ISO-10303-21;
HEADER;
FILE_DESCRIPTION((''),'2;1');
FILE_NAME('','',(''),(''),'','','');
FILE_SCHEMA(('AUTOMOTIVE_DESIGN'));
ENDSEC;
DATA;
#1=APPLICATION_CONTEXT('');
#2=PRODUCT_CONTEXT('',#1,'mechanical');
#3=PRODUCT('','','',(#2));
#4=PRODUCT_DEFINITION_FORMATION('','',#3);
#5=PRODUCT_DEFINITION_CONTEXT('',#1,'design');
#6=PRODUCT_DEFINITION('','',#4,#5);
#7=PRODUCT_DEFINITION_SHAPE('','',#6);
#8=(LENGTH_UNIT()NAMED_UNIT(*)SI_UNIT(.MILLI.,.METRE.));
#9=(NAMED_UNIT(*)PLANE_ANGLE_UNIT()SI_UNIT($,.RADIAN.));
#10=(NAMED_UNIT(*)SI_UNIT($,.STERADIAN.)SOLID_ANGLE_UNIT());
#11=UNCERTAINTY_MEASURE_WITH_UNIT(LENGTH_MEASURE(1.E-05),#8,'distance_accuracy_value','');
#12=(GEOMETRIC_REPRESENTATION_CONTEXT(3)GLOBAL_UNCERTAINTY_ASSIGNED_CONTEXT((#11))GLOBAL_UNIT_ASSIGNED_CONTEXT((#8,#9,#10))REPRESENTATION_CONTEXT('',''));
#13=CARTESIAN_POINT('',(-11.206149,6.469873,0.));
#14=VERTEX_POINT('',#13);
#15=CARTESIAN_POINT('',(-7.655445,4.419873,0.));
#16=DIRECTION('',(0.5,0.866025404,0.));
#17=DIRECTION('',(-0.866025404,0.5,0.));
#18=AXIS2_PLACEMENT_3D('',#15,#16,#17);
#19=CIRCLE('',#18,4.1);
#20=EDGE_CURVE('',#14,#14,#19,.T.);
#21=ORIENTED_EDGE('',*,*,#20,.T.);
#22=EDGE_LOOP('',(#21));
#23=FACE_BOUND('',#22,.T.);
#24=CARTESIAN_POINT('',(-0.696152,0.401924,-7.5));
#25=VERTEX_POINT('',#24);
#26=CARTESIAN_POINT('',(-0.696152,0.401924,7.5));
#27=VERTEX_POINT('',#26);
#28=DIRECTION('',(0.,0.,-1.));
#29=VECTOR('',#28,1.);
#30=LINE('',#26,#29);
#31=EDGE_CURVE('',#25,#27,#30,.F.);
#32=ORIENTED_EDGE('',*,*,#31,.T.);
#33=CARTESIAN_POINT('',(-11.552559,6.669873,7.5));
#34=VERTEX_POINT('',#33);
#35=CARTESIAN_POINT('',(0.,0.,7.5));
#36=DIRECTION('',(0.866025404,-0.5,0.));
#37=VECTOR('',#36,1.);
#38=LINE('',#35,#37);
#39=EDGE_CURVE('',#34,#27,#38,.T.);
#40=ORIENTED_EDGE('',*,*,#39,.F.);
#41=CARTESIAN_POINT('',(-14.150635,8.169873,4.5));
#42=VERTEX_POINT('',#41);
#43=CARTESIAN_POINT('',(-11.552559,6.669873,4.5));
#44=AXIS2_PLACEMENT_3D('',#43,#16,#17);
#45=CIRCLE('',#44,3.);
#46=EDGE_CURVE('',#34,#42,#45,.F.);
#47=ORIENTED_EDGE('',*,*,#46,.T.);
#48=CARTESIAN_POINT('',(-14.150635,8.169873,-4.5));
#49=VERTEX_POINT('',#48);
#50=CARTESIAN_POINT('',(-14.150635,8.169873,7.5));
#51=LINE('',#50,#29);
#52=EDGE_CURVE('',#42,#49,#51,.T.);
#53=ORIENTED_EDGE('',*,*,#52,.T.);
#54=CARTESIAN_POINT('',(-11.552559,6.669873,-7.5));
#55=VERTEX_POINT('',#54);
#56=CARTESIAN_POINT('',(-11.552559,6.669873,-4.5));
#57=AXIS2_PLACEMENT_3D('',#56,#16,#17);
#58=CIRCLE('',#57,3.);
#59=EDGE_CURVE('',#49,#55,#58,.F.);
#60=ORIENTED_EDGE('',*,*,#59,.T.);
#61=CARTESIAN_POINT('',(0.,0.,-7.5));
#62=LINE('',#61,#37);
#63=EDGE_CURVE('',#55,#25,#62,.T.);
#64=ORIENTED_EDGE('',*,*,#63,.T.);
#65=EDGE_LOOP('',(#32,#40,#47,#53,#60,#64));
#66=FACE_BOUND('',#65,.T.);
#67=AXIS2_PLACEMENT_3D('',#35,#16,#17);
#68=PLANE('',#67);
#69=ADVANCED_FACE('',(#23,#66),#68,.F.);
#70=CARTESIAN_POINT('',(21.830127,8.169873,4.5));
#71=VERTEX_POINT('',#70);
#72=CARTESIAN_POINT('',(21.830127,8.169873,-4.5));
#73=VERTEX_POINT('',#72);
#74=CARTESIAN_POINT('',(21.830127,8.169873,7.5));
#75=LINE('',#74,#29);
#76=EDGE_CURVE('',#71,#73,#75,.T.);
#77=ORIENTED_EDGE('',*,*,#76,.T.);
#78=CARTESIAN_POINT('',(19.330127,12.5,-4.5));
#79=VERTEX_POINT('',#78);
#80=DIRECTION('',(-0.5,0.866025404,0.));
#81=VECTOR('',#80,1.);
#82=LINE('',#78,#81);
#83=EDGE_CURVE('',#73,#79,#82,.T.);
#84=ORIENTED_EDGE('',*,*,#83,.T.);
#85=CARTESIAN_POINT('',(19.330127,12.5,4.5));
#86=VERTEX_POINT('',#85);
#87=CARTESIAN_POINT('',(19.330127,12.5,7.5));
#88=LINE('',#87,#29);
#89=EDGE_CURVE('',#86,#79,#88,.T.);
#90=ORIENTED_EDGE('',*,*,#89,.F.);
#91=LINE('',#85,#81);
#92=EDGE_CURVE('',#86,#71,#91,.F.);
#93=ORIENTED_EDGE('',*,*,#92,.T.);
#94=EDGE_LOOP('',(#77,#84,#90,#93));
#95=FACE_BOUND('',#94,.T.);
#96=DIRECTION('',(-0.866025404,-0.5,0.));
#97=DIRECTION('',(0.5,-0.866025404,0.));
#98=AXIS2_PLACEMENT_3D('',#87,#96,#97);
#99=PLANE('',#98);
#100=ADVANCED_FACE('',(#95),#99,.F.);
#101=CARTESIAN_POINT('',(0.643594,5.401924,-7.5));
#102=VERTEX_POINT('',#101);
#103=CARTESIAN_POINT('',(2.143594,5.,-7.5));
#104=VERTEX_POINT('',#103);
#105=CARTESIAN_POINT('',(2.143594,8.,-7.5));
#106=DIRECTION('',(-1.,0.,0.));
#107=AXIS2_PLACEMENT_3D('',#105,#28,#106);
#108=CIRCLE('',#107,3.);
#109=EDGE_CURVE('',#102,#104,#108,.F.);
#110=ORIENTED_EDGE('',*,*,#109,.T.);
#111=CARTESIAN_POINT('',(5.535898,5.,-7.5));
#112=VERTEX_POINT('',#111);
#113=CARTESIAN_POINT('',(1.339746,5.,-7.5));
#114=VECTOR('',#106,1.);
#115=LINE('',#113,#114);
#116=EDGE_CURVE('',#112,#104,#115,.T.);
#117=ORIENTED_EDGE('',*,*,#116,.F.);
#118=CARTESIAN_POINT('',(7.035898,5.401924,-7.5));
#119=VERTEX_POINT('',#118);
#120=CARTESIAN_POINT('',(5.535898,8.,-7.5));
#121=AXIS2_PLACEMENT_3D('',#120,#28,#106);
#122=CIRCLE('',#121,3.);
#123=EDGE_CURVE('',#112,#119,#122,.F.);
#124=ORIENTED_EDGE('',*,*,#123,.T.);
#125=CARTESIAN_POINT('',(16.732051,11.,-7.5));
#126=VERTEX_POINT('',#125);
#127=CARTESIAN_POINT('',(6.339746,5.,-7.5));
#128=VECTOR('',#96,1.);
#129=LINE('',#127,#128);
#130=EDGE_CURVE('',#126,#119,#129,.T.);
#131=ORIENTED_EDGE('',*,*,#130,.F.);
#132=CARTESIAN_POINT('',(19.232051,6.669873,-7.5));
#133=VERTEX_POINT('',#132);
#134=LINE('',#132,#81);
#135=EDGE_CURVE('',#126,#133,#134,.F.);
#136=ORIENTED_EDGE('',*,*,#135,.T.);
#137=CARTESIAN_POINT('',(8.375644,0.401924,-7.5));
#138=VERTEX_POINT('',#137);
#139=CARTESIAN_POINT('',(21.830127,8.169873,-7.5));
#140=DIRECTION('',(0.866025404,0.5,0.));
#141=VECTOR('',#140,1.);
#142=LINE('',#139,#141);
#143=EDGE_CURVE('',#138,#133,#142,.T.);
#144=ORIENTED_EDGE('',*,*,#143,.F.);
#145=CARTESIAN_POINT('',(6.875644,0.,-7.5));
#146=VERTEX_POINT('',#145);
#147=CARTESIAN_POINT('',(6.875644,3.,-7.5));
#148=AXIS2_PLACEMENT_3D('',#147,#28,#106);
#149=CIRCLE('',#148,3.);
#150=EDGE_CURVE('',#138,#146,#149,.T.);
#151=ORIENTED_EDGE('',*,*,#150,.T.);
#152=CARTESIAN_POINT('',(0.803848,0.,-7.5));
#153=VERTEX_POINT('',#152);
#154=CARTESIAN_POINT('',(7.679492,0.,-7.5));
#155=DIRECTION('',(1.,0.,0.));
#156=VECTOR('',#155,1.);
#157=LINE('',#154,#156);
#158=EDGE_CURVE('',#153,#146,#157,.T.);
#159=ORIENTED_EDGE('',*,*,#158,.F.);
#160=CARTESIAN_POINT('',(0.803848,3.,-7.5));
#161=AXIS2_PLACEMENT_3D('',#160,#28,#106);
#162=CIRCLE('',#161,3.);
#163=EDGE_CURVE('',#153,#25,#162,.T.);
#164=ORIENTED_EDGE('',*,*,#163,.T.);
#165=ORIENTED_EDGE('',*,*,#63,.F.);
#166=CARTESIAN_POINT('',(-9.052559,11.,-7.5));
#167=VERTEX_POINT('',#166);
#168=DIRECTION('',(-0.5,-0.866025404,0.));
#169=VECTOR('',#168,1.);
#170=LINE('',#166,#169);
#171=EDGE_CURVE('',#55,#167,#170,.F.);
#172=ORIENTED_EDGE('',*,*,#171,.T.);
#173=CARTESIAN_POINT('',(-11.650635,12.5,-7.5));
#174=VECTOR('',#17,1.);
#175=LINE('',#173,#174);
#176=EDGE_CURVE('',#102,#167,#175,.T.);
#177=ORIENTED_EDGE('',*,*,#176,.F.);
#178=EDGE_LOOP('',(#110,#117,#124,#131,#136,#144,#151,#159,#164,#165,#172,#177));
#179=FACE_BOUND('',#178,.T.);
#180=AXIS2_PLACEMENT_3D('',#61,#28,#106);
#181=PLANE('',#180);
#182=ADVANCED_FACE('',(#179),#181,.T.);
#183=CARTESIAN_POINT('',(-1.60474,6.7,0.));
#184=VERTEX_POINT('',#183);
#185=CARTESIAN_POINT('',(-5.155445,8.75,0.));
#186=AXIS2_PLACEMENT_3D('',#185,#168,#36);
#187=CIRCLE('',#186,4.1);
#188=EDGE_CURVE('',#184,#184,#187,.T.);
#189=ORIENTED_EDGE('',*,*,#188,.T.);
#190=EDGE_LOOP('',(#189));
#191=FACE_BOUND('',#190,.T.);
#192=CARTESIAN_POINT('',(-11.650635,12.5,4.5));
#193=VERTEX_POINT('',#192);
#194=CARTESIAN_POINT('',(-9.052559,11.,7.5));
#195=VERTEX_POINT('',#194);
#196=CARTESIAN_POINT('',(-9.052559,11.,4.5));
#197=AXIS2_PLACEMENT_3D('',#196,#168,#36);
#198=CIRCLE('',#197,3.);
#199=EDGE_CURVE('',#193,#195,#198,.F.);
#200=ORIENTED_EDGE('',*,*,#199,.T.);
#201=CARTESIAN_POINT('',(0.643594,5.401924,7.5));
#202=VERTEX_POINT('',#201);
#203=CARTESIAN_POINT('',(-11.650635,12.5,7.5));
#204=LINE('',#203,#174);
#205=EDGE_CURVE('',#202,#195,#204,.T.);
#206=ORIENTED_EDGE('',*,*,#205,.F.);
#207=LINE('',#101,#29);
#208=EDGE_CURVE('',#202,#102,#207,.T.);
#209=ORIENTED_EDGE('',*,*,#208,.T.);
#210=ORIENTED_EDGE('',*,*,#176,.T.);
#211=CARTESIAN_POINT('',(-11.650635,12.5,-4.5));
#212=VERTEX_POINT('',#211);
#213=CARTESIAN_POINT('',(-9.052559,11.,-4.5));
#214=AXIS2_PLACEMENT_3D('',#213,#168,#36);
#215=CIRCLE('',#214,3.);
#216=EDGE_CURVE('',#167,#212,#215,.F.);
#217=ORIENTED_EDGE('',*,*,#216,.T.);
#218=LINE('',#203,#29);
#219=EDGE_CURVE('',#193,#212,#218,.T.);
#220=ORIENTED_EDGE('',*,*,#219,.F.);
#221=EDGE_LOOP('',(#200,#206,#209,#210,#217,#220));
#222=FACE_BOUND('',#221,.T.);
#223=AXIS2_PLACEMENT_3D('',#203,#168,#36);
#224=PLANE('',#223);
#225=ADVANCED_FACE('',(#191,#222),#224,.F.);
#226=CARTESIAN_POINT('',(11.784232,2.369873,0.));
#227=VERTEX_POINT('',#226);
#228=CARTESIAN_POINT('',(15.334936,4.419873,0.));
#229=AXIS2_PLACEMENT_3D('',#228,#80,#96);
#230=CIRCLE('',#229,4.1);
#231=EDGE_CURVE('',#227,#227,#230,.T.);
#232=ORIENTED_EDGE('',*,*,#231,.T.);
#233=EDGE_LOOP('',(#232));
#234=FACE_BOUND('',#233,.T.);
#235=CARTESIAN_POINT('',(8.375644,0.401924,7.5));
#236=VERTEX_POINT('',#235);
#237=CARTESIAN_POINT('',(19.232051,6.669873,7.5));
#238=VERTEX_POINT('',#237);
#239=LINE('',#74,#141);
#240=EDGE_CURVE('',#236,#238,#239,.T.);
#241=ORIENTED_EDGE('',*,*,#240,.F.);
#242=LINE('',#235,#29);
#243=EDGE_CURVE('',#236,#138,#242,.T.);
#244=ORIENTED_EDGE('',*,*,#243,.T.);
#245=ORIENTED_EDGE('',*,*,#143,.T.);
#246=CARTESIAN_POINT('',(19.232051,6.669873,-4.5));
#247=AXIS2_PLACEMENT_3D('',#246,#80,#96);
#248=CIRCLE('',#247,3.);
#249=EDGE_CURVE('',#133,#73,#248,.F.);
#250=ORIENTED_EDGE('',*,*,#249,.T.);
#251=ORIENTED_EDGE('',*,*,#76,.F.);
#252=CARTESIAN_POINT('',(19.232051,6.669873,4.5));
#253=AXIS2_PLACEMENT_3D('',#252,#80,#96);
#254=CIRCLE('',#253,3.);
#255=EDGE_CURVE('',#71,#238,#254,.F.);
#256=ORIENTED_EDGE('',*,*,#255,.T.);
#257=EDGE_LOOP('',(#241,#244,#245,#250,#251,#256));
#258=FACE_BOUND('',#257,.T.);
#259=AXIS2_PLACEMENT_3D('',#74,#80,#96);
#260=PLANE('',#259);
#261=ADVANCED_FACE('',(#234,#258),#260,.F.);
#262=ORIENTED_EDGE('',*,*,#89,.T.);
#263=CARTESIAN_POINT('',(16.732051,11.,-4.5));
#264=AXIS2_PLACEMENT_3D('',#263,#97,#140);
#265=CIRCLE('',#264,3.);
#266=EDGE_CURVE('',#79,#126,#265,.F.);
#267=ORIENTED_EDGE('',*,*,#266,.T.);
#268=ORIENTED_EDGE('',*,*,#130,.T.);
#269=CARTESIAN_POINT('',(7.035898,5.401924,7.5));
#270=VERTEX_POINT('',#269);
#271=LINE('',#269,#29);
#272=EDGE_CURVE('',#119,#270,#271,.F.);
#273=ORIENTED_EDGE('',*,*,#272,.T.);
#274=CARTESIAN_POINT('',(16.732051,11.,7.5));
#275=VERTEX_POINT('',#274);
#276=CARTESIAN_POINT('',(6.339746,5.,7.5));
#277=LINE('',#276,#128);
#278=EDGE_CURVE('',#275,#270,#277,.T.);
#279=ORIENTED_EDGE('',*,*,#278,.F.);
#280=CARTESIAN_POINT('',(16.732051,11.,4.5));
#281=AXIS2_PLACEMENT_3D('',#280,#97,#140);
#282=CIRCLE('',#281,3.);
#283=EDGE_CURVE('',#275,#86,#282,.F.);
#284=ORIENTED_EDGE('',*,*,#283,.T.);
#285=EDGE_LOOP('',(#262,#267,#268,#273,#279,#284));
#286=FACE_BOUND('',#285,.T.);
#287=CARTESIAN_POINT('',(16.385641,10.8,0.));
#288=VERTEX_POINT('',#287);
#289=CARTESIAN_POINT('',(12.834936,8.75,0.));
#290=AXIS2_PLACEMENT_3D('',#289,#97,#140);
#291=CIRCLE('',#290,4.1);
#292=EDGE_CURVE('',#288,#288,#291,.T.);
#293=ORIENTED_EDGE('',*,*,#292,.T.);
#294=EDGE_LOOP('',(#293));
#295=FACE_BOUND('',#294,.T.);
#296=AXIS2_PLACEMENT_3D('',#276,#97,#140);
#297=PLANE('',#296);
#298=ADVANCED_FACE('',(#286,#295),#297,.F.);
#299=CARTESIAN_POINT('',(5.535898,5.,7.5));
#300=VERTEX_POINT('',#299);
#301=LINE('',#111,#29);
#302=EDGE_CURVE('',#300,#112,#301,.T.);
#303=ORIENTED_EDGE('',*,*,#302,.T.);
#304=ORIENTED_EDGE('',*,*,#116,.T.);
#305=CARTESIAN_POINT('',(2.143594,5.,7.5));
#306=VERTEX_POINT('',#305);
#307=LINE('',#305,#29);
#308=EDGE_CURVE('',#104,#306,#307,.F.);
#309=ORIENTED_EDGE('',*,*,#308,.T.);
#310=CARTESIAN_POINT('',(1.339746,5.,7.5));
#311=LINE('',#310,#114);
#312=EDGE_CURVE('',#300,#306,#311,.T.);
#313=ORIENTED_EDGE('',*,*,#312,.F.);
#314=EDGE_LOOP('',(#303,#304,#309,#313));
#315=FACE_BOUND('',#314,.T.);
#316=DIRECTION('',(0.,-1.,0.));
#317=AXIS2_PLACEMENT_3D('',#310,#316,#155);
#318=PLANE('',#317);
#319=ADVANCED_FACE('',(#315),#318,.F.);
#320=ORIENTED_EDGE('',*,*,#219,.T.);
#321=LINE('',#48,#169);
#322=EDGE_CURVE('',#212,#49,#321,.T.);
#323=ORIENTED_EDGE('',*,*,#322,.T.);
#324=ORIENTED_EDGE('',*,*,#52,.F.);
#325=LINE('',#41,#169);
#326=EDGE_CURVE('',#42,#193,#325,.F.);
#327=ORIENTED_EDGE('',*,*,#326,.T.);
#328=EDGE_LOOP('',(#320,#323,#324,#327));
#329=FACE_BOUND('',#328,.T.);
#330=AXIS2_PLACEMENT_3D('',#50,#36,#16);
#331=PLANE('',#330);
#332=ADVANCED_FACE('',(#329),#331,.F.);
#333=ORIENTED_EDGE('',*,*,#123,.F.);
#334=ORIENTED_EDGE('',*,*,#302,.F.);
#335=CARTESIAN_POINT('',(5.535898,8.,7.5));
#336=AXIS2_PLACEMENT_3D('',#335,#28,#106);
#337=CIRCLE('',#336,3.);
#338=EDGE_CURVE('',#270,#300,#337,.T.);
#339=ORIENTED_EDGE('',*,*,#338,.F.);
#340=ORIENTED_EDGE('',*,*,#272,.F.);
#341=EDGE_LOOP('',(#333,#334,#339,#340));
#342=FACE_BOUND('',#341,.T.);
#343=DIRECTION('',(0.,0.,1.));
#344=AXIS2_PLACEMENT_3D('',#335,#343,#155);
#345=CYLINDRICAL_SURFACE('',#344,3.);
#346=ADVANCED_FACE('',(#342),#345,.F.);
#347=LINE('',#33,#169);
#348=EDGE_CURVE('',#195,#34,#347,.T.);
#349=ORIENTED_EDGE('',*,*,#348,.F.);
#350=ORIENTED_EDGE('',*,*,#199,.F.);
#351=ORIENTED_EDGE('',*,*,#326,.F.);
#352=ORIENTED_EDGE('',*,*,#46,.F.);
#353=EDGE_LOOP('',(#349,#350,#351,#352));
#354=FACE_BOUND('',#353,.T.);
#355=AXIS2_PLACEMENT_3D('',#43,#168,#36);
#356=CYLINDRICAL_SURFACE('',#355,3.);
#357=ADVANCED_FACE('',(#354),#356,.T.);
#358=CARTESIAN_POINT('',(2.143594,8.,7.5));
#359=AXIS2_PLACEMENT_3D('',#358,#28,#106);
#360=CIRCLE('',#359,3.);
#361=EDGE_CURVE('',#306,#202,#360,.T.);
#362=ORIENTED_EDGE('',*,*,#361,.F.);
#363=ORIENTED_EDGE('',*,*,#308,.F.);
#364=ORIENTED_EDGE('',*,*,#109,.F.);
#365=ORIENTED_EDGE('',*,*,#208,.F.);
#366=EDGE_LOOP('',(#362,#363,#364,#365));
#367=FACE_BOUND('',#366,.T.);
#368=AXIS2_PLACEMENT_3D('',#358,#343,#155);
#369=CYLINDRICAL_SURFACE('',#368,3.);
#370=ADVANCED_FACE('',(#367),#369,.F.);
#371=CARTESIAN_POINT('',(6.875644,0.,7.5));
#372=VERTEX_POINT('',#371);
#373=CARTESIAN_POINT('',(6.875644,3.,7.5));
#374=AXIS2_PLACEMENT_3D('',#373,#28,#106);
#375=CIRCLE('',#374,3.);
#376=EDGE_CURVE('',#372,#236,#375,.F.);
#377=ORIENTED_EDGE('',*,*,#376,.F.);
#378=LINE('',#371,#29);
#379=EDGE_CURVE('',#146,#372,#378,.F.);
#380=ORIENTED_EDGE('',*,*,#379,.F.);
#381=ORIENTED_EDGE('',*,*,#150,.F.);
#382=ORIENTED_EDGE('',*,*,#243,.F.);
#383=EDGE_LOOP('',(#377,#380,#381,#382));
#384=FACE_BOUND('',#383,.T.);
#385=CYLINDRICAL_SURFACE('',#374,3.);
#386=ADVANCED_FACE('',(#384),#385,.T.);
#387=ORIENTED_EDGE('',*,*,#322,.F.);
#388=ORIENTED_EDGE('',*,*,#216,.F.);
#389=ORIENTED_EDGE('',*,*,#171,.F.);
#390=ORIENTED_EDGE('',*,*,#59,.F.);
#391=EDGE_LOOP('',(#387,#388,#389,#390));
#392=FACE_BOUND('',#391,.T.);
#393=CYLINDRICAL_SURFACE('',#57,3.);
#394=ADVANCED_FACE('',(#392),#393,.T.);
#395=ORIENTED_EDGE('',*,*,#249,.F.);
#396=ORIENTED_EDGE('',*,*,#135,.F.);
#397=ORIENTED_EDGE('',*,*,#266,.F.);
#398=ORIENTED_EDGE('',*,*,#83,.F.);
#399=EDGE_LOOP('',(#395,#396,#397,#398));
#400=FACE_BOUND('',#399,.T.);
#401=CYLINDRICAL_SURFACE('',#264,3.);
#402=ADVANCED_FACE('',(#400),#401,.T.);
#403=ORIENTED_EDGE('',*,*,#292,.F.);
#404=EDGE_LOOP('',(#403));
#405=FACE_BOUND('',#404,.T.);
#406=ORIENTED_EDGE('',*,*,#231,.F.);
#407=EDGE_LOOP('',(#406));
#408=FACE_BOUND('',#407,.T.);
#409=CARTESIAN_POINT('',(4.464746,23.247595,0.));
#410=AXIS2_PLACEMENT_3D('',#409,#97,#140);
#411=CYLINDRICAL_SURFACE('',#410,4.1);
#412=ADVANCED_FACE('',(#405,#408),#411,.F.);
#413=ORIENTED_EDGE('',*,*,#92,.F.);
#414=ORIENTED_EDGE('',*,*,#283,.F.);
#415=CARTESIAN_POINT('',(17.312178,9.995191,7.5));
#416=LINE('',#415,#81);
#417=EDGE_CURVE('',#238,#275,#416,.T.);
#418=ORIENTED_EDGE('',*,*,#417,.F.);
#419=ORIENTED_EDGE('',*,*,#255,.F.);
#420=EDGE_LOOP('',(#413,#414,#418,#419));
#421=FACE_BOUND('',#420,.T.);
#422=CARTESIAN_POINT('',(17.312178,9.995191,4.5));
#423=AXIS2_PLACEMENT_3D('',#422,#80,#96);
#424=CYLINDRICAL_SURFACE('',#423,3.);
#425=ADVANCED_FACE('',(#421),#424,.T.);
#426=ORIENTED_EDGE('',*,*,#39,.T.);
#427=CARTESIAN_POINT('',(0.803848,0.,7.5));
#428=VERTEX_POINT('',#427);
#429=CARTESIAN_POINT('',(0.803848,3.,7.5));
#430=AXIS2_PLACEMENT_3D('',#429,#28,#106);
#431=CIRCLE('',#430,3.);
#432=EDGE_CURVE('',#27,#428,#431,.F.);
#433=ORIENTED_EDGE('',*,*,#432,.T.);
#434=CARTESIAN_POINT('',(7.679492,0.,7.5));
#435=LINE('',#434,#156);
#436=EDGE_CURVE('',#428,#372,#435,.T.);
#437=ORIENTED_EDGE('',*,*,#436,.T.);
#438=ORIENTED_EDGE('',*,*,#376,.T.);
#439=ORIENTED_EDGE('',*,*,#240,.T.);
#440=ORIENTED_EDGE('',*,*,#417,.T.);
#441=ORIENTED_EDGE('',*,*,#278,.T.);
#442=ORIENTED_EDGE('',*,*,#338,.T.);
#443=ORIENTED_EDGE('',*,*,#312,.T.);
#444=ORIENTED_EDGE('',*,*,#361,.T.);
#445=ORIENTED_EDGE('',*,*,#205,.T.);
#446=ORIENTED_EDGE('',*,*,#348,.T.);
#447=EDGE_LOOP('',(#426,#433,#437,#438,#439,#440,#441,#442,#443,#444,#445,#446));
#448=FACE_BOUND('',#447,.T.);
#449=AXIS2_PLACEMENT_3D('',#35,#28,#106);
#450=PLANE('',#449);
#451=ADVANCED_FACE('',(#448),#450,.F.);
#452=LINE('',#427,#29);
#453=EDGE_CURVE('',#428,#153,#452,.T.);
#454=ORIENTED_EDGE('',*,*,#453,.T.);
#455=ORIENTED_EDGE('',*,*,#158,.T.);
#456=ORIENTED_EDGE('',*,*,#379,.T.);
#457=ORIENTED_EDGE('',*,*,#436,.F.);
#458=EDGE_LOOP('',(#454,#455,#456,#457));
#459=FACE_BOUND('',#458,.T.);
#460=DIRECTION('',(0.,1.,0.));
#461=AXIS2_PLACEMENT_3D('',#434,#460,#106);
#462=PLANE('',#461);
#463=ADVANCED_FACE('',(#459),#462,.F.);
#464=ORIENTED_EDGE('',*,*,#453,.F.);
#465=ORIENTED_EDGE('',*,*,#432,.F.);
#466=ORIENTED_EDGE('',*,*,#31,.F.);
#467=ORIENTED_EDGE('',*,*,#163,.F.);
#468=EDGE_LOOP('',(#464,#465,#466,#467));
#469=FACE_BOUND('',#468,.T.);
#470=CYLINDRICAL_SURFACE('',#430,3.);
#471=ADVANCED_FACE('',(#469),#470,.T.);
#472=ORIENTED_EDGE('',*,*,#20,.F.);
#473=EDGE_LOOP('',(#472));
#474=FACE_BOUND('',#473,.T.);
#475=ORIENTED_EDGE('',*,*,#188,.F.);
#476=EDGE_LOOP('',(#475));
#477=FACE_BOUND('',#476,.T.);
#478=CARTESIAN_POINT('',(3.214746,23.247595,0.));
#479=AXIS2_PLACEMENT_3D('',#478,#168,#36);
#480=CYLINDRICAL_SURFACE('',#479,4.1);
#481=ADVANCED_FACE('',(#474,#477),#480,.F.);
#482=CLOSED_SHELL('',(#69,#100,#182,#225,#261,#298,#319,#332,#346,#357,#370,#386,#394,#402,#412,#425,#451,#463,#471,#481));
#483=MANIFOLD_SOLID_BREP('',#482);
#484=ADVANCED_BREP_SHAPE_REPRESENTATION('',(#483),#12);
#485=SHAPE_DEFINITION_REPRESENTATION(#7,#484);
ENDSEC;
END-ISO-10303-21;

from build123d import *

# Parameters (mm, degrees)
EXTRUDE_1_DEPTH          = 7.5
CUT_EXTRUDE_1_DEPTH      = 27.249846584
CUT_EXTRUDE_1_DEPTH_BACK = 27.249846584
SKETCH_2_R               = 4.1
CUT_EXTRUDE_2_DEPTH      = 27.516200545
CUT_EXTRUDE_2_DEPTH_BACK = 27.516200545
SKETCH_3_R               = 4.1
FILLET_1_R               = 3


with BuildPart() as part:
    # ｽｹｯﾁ1 → ﾎﾞｽ - 押し出し1 (new, symmetric)
    with BuildSketch(Plane.XY):
        Polygon((0, 0), (-14.150635095, 8.169872981), (-11.650635095, 12.5), (1.339745962, 5), (6.339745962, 5), (19.330127019, 12.5), (21.830127019, 8.169872981), (7.679491924, 0), align=None)
    extrude(amount=EXTRUDE_1_DEPTH, both=True)

    # ｽｹｯﾁ2 → ｶｯﾄ - 押し出し1 (cut, two sides: drawn at the far end of the back side and taken through both)
    with BuildSketch(Plane(origin=(0, 0, 0), x_dir=(0, 0, 1), z_dir=(-0.5000000000000012, -0.866025403784438, 0)).offset(-CUT_EXTRUDE_1_DEPTH_BACK)):
        with Locations(Location((0, 8.839745962, 0), (0, 0, 270))):
            Circle(SKETCH_2_R)
    extrude(amount=CUT_EXTRUDE_1_DEPTH + CUT_EXTRUDE_1_DEPTH_BACK, mode=Mode.SUBTRACT)

    # ｽｹｯﾁ3 → ｶｯﾄ - 押し出し2 (cut, two sides: drawn at the far end of the back side and taken through both)
    with BuildSketch(Plane(origin=(1.919872981, -3.325317547, 0), x_dir=(0, 0, -1), z_dir=(0.5000000000000013, -0.8660254037844379, 0)).offset(-CUT_EXTRUDE_2_DEPTH_BACK)):
        with Locations(Location((0, 15.490381057, 0), (0, 0, 90))):
            Circle(SKETCH_3_R)
    extrude(amount=CUT_EXTRUDE_2_DEPTH + CUT_EXTRUDE_2_DEPTH_BACK, mode=Mode.SUBTRACT)

    # ﾌｨﾚｯﾄ1
    fillet_1_edges = [part.edges().sort_by_distance(p)[0] for p in [
        (20.580127019, 10.334936491, -7.5),
        (20.580127019, 10.334936491, 7.5),
        (0, 0, 0),
        (1.339745962, 5, 0),
        (6.339745962, 5, 0),
        (7.679491924, 0, 0),
        (-12.900635095, 10.334936491, 7.5),
        (-12.900635095, 10.334936491, -7.5),
    ]]
    fillet(fillet_1_edges, radius=FILLET_1_R)


solid = part.part
